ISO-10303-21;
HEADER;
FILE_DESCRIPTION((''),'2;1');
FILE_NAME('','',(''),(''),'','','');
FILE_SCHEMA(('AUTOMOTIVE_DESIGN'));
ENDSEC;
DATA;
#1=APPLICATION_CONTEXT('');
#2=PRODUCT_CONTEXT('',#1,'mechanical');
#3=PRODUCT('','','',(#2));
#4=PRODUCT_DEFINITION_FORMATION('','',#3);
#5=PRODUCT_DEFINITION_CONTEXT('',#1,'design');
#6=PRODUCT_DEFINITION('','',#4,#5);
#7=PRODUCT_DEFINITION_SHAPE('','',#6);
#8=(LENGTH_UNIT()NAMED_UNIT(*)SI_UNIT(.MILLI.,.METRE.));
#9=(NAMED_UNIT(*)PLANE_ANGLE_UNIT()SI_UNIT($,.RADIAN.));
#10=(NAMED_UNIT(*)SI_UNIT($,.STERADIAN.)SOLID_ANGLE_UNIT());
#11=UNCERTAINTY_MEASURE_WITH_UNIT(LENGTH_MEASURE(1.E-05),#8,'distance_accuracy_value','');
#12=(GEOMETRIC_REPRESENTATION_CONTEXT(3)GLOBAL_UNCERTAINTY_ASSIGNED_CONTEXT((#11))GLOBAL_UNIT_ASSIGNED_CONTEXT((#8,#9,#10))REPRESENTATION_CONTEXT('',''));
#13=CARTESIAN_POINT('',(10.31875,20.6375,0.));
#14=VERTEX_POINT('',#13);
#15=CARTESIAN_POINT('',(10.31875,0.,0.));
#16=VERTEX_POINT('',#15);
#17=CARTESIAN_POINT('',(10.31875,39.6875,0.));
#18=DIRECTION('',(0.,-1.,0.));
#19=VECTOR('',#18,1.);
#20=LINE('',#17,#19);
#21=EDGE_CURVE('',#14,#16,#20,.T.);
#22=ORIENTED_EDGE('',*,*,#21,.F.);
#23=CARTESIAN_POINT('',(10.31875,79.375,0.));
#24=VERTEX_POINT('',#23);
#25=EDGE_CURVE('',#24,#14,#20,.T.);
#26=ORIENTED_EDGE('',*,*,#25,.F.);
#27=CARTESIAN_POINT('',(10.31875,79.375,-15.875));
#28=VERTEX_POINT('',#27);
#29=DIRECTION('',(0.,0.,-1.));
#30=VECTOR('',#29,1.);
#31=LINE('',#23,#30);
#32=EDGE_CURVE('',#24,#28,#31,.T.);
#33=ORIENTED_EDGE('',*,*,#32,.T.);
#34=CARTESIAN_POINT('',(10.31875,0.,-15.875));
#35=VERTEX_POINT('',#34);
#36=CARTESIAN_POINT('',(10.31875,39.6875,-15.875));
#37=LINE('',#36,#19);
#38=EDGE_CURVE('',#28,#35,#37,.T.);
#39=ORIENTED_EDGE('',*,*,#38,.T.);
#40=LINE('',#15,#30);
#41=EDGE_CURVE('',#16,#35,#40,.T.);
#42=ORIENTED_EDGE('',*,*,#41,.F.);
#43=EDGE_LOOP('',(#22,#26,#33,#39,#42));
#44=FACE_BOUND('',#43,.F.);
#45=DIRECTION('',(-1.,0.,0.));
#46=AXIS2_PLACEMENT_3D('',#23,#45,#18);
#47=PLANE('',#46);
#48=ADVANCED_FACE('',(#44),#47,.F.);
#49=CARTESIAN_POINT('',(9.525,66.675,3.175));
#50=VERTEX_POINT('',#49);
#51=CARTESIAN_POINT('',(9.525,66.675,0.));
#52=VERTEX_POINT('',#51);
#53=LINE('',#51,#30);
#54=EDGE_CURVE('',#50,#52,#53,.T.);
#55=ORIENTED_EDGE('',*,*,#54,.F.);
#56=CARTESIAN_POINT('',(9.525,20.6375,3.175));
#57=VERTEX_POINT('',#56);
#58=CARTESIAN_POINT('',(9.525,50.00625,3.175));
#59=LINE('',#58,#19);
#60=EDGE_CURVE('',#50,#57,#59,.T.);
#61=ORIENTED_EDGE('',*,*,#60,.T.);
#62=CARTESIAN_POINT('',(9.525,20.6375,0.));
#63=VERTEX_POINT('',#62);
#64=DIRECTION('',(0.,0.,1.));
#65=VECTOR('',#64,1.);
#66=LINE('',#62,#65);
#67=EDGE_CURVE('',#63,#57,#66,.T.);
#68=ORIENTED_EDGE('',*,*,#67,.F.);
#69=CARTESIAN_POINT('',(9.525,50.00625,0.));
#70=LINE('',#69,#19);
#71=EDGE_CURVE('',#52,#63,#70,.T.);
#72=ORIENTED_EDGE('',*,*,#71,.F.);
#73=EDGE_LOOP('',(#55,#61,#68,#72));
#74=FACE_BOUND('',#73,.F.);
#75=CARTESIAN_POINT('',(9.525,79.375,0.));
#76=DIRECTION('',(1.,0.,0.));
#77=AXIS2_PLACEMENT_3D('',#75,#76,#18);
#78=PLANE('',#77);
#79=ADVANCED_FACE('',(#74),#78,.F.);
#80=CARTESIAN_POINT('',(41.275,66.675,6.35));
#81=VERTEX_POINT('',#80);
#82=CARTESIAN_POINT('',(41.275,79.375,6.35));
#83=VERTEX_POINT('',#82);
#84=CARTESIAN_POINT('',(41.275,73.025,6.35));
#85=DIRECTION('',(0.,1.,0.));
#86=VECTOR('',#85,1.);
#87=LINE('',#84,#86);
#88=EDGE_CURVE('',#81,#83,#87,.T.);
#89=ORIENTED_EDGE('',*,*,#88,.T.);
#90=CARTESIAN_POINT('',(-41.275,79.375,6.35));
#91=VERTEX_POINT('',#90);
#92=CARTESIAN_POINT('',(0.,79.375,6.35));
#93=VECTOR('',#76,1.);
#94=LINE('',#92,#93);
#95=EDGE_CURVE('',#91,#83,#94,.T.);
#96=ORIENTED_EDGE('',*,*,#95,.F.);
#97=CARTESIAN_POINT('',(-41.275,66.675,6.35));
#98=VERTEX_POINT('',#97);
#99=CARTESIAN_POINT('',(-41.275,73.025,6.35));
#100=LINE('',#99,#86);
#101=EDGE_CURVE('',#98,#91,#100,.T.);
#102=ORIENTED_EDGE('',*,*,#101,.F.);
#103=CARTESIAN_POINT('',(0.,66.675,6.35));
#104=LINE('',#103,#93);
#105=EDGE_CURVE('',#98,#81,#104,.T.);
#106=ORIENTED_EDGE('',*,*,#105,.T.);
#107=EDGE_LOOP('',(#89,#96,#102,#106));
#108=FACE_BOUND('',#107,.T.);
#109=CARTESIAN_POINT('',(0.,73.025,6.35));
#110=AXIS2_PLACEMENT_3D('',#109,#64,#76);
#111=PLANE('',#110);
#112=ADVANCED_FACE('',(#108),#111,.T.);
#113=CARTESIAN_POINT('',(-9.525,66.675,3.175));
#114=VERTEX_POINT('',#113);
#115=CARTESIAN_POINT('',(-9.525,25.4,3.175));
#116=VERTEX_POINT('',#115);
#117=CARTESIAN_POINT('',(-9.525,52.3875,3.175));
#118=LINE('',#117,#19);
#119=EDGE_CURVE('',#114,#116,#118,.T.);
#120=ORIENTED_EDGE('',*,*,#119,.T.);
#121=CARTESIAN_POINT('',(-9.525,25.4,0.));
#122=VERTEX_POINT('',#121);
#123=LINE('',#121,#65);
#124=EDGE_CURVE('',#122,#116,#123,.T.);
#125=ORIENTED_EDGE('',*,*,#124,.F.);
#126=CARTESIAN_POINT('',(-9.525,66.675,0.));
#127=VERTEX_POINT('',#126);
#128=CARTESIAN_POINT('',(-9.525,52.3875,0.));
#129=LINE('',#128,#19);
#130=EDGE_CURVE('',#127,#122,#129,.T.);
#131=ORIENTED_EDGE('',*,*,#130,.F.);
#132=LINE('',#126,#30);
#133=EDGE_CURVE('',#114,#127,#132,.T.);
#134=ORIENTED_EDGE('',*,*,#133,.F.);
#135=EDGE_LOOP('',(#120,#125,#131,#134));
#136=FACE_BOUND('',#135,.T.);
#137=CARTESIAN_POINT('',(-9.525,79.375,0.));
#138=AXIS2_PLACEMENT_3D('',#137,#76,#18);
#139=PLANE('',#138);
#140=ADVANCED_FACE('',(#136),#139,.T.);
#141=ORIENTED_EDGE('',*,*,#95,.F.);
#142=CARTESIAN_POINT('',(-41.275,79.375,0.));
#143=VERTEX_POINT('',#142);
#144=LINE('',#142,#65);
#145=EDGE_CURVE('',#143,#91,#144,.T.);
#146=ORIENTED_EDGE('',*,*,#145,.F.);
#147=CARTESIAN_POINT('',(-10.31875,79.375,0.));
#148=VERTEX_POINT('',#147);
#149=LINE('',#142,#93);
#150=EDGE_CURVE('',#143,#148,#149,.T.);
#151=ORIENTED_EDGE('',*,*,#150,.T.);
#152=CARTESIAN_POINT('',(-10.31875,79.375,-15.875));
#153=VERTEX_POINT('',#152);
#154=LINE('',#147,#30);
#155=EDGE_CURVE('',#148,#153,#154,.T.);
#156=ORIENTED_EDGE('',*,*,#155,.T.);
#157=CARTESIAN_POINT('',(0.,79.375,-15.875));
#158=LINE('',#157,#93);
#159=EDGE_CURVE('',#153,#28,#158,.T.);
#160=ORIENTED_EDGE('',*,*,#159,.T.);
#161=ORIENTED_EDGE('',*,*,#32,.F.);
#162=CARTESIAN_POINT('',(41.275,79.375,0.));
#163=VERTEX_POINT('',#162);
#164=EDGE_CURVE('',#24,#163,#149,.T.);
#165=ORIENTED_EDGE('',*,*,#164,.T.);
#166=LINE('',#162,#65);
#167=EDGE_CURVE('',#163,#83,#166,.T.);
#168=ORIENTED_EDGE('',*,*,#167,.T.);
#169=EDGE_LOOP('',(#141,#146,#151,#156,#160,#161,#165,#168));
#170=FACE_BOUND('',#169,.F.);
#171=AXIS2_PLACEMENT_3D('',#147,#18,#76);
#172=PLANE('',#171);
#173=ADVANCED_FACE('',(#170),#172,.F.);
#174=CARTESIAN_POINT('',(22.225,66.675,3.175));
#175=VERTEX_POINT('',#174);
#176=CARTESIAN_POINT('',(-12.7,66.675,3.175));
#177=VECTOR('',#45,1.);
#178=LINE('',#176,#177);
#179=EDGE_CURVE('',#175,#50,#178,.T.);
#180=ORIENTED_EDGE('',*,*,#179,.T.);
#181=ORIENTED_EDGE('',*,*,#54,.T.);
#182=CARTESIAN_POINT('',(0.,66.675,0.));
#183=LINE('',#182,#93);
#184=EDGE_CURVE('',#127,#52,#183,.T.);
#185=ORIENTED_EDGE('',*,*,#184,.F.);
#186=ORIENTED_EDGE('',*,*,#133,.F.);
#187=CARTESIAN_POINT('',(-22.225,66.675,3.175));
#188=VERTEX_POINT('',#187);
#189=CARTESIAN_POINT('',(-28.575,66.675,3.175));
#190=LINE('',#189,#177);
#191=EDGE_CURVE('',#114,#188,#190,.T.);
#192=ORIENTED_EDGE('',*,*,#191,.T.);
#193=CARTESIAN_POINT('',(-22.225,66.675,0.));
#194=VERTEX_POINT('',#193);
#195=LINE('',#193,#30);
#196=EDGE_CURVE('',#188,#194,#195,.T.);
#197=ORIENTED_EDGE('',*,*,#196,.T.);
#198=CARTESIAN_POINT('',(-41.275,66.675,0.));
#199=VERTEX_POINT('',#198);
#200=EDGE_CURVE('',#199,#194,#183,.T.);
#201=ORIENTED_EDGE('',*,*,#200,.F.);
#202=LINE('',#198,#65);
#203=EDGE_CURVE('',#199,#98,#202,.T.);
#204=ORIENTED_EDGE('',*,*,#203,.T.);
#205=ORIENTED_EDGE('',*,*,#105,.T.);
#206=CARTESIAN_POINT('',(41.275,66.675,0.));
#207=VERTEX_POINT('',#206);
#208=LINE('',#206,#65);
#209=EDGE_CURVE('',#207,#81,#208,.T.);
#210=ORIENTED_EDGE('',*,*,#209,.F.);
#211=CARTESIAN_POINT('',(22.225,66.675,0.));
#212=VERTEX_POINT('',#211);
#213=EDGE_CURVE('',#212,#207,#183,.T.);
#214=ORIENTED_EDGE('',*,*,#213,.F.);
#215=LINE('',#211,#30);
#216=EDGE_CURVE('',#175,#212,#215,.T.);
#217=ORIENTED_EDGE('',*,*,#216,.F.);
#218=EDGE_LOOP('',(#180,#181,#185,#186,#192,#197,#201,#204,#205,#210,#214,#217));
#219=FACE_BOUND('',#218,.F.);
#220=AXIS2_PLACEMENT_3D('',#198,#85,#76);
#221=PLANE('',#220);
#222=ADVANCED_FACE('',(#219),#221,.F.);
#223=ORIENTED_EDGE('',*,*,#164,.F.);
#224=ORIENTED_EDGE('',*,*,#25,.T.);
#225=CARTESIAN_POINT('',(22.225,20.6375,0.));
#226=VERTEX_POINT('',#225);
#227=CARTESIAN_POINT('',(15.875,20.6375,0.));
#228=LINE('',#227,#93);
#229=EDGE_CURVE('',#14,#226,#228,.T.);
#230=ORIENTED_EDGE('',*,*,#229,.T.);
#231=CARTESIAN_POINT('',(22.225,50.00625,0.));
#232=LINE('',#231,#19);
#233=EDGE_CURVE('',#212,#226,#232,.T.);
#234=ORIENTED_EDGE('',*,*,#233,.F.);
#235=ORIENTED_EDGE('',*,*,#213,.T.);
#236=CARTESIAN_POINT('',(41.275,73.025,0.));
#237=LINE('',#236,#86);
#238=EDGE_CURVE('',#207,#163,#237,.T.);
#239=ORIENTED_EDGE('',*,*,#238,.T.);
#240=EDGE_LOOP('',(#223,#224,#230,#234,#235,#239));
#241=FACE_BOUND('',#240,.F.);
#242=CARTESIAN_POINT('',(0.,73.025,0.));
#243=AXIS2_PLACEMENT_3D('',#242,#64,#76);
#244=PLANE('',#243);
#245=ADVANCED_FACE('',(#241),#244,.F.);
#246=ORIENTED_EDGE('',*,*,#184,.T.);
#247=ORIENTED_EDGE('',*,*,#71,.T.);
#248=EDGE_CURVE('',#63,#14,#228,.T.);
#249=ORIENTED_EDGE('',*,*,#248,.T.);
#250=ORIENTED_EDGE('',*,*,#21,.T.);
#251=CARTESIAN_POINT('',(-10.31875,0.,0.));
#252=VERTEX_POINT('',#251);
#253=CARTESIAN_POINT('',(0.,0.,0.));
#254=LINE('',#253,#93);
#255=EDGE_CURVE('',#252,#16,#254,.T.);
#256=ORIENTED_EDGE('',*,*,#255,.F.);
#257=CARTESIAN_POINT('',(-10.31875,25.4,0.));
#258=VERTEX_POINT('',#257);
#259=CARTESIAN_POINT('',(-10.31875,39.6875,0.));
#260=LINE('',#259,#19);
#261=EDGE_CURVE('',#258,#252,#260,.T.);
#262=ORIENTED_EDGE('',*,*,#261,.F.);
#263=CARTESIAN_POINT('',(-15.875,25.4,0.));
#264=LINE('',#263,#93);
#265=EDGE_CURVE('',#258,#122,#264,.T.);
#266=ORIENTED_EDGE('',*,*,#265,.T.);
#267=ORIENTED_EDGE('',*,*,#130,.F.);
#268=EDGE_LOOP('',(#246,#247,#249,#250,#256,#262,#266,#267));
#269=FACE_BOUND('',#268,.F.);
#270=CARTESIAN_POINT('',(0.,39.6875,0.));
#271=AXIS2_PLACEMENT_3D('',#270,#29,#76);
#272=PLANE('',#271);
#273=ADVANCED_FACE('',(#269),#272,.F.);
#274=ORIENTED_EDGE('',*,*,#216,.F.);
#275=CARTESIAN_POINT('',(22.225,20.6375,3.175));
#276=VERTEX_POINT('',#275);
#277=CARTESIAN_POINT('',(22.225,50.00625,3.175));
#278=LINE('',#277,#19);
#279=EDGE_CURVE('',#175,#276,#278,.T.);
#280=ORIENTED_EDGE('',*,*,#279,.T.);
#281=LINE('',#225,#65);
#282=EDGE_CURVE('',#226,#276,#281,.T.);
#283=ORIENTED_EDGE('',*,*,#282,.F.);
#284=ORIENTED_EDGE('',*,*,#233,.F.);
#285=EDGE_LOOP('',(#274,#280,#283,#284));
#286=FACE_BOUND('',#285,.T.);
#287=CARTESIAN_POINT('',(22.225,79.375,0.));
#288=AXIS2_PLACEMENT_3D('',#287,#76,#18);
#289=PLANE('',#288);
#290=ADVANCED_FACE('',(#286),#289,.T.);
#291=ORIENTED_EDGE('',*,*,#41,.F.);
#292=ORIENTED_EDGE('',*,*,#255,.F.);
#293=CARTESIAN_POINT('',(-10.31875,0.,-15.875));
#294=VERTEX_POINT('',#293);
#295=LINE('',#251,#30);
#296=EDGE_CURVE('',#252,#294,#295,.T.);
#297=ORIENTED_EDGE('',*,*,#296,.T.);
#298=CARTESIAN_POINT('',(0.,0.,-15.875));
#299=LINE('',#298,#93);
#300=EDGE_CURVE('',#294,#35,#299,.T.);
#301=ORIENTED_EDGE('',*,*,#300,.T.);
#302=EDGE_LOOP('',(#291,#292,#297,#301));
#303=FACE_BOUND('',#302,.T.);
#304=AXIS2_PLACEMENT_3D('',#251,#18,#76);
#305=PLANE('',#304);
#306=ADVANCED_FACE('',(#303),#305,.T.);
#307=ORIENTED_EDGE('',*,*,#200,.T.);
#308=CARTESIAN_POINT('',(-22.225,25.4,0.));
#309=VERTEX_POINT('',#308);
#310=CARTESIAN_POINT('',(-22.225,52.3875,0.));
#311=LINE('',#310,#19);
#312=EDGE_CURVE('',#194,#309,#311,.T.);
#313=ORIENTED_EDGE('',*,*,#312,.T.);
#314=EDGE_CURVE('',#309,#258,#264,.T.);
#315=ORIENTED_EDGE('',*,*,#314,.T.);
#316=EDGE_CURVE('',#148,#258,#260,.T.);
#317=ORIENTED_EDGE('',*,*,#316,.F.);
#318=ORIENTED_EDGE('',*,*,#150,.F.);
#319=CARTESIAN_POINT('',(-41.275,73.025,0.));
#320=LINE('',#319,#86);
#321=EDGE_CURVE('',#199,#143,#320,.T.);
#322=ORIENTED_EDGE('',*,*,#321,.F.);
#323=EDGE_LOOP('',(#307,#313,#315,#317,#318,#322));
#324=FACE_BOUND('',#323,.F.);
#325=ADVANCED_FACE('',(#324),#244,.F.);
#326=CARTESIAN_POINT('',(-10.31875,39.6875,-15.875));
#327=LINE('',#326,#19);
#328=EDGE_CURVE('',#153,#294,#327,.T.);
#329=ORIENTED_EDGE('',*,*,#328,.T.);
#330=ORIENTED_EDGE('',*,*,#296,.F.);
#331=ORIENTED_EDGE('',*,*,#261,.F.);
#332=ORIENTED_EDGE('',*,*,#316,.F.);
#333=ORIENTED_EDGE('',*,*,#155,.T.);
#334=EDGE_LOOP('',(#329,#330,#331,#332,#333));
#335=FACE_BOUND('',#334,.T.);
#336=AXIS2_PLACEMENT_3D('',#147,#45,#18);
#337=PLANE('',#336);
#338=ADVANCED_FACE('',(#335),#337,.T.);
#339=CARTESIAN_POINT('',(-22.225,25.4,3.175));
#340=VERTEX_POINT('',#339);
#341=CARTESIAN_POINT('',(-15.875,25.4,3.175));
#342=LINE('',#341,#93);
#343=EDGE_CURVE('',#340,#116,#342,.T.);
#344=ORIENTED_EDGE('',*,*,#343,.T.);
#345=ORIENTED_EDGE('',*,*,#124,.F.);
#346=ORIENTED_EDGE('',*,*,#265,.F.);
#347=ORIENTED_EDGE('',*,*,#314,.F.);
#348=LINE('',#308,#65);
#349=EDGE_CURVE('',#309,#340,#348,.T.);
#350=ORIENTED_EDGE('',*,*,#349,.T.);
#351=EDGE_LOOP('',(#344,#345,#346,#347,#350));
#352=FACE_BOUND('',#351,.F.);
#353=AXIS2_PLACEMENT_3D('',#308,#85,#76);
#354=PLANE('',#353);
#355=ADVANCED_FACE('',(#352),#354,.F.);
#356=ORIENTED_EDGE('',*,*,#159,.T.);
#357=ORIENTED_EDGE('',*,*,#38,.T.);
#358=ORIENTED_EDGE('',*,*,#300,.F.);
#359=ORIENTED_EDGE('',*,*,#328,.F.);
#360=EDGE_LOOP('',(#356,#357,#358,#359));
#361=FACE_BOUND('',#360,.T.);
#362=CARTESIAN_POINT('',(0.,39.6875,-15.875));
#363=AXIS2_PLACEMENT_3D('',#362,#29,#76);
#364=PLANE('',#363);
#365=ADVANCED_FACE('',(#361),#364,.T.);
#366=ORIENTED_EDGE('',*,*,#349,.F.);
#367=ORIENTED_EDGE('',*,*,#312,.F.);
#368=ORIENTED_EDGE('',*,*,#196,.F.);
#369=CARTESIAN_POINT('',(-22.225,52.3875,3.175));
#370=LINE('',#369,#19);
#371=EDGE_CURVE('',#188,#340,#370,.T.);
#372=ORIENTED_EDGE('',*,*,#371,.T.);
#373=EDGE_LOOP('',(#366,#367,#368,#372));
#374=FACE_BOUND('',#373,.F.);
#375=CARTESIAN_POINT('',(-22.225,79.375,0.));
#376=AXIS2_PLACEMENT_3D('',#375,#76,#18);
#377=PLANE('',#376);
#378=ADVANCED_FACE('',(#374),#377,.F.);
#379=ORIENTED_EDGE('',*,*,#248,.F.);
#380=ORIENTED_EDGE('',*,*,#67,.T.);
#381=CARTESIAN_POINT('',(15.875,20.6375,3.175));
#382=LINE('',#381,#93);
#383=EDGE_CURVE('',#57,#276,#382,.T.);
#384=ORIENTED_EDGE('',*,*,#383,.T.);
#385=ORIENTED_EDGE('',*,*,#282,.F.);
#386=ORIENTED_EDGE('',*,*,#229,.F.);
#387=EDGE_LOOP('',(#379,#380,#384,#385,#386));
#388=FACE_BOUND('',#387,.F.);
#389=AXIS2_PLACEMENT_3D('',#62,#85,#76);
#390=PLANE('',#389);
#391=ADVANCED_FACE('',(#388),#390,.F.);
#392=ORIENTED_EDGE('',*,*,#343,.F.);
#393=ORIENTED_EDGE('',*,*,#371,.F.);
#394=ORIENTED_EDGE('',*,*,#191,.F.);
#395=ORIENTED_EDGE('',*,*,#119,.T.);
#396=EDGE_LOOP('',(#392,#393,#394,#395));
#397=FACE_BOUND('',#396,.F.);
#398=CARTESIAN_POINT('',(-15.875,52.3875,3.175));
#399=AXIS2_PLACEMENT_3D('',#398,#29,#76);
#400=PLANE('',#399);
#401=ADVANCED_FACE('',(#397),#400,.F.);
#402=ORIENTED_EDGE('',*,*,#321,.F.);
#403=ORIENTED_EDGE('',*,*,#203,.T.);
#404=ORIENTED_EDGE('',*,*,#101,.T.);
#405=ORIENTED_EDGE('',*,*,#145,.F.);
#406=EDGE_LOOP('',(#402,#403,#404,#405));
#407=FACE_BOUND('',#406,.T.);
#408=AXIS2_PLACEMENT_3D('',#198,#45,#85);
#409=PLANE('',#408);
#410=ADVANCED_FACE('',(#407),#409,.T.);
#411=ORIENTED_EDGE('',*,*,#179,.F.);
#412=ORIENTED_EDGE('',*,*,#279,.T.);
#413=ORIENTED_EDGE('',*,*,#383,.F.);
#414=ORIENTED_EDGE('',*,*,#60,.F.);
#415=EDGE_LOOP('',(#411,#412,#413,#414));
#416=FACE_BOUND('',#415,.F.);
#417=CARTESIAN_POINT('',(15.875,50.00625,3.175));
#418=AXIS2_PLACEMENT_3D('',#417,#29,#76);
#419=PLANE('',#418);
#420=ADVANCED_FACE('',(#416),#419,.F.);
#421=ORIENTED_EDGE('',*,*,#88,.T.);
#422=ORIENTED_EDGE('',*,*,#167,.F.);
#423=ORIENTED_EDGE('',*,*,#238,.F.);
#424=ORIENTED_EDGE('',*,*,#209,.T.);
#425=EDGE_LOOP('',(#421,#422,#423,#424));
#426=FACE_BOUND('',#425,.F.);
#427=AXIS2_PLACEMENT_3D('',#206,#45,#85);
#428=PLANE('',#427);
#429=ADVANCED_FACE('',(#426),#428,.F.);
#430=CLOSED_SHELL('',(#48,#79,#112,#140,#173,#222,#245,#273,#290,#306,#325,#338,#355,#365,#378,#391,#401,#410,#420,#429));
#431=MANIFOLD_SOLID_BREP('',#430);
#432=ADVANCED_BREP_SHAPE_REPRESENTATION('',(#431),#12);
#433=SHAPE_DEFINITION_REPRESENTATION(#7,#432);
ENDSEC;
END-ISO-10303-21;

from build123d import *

# Parameters (mm, degrees)
F0_W     = 82.55
F0_H     = 12.7
F1_DEPTH = 6.35
F2_W     = 12.7
F2_H     = 53.975
F2_H_2   = 58.7375
F3_DEPTH = 3.175
F4_W     = 20.6375
F4_H     = 79.375
F5_DEPTH = 15.875


with BuildPart() as f1:
    # F0 (on Top) → F1 (new body)
    with BuildSketch(Plane.XY):
        with Locations((0, 73.025)):
            Rectangle(F0_W, F0_H)
    extrude(amount=F1_DEPTH)

    # F2 (on face) → F3 (join)
    with BuildSketch(Plane(origin=(0, 0, 0), x_dir=(1, 0, 0), z_dir=(0, 0, -1))):
        with Locations((-15.875, -52.3875)):
            Rectangle(F2_W, F2_H)
        with Locations((15.875, -50.00625)):
            Rectangle(F2_W, F2_H_2)
    extrude(amount=-F3_DEPTH)

    # F4 (on face) → F5 (join)
    with BuildSketch(Plane(origin=(0, 0, 0), x_dir=(1, 0, 0), z_dir=(0, 0, -1))):
        with Locations((0, -39.6875)):
            Rectangle(F4_W, F4_H)
    extrude(amount=F5_DEPTH)


solid = f1.part
